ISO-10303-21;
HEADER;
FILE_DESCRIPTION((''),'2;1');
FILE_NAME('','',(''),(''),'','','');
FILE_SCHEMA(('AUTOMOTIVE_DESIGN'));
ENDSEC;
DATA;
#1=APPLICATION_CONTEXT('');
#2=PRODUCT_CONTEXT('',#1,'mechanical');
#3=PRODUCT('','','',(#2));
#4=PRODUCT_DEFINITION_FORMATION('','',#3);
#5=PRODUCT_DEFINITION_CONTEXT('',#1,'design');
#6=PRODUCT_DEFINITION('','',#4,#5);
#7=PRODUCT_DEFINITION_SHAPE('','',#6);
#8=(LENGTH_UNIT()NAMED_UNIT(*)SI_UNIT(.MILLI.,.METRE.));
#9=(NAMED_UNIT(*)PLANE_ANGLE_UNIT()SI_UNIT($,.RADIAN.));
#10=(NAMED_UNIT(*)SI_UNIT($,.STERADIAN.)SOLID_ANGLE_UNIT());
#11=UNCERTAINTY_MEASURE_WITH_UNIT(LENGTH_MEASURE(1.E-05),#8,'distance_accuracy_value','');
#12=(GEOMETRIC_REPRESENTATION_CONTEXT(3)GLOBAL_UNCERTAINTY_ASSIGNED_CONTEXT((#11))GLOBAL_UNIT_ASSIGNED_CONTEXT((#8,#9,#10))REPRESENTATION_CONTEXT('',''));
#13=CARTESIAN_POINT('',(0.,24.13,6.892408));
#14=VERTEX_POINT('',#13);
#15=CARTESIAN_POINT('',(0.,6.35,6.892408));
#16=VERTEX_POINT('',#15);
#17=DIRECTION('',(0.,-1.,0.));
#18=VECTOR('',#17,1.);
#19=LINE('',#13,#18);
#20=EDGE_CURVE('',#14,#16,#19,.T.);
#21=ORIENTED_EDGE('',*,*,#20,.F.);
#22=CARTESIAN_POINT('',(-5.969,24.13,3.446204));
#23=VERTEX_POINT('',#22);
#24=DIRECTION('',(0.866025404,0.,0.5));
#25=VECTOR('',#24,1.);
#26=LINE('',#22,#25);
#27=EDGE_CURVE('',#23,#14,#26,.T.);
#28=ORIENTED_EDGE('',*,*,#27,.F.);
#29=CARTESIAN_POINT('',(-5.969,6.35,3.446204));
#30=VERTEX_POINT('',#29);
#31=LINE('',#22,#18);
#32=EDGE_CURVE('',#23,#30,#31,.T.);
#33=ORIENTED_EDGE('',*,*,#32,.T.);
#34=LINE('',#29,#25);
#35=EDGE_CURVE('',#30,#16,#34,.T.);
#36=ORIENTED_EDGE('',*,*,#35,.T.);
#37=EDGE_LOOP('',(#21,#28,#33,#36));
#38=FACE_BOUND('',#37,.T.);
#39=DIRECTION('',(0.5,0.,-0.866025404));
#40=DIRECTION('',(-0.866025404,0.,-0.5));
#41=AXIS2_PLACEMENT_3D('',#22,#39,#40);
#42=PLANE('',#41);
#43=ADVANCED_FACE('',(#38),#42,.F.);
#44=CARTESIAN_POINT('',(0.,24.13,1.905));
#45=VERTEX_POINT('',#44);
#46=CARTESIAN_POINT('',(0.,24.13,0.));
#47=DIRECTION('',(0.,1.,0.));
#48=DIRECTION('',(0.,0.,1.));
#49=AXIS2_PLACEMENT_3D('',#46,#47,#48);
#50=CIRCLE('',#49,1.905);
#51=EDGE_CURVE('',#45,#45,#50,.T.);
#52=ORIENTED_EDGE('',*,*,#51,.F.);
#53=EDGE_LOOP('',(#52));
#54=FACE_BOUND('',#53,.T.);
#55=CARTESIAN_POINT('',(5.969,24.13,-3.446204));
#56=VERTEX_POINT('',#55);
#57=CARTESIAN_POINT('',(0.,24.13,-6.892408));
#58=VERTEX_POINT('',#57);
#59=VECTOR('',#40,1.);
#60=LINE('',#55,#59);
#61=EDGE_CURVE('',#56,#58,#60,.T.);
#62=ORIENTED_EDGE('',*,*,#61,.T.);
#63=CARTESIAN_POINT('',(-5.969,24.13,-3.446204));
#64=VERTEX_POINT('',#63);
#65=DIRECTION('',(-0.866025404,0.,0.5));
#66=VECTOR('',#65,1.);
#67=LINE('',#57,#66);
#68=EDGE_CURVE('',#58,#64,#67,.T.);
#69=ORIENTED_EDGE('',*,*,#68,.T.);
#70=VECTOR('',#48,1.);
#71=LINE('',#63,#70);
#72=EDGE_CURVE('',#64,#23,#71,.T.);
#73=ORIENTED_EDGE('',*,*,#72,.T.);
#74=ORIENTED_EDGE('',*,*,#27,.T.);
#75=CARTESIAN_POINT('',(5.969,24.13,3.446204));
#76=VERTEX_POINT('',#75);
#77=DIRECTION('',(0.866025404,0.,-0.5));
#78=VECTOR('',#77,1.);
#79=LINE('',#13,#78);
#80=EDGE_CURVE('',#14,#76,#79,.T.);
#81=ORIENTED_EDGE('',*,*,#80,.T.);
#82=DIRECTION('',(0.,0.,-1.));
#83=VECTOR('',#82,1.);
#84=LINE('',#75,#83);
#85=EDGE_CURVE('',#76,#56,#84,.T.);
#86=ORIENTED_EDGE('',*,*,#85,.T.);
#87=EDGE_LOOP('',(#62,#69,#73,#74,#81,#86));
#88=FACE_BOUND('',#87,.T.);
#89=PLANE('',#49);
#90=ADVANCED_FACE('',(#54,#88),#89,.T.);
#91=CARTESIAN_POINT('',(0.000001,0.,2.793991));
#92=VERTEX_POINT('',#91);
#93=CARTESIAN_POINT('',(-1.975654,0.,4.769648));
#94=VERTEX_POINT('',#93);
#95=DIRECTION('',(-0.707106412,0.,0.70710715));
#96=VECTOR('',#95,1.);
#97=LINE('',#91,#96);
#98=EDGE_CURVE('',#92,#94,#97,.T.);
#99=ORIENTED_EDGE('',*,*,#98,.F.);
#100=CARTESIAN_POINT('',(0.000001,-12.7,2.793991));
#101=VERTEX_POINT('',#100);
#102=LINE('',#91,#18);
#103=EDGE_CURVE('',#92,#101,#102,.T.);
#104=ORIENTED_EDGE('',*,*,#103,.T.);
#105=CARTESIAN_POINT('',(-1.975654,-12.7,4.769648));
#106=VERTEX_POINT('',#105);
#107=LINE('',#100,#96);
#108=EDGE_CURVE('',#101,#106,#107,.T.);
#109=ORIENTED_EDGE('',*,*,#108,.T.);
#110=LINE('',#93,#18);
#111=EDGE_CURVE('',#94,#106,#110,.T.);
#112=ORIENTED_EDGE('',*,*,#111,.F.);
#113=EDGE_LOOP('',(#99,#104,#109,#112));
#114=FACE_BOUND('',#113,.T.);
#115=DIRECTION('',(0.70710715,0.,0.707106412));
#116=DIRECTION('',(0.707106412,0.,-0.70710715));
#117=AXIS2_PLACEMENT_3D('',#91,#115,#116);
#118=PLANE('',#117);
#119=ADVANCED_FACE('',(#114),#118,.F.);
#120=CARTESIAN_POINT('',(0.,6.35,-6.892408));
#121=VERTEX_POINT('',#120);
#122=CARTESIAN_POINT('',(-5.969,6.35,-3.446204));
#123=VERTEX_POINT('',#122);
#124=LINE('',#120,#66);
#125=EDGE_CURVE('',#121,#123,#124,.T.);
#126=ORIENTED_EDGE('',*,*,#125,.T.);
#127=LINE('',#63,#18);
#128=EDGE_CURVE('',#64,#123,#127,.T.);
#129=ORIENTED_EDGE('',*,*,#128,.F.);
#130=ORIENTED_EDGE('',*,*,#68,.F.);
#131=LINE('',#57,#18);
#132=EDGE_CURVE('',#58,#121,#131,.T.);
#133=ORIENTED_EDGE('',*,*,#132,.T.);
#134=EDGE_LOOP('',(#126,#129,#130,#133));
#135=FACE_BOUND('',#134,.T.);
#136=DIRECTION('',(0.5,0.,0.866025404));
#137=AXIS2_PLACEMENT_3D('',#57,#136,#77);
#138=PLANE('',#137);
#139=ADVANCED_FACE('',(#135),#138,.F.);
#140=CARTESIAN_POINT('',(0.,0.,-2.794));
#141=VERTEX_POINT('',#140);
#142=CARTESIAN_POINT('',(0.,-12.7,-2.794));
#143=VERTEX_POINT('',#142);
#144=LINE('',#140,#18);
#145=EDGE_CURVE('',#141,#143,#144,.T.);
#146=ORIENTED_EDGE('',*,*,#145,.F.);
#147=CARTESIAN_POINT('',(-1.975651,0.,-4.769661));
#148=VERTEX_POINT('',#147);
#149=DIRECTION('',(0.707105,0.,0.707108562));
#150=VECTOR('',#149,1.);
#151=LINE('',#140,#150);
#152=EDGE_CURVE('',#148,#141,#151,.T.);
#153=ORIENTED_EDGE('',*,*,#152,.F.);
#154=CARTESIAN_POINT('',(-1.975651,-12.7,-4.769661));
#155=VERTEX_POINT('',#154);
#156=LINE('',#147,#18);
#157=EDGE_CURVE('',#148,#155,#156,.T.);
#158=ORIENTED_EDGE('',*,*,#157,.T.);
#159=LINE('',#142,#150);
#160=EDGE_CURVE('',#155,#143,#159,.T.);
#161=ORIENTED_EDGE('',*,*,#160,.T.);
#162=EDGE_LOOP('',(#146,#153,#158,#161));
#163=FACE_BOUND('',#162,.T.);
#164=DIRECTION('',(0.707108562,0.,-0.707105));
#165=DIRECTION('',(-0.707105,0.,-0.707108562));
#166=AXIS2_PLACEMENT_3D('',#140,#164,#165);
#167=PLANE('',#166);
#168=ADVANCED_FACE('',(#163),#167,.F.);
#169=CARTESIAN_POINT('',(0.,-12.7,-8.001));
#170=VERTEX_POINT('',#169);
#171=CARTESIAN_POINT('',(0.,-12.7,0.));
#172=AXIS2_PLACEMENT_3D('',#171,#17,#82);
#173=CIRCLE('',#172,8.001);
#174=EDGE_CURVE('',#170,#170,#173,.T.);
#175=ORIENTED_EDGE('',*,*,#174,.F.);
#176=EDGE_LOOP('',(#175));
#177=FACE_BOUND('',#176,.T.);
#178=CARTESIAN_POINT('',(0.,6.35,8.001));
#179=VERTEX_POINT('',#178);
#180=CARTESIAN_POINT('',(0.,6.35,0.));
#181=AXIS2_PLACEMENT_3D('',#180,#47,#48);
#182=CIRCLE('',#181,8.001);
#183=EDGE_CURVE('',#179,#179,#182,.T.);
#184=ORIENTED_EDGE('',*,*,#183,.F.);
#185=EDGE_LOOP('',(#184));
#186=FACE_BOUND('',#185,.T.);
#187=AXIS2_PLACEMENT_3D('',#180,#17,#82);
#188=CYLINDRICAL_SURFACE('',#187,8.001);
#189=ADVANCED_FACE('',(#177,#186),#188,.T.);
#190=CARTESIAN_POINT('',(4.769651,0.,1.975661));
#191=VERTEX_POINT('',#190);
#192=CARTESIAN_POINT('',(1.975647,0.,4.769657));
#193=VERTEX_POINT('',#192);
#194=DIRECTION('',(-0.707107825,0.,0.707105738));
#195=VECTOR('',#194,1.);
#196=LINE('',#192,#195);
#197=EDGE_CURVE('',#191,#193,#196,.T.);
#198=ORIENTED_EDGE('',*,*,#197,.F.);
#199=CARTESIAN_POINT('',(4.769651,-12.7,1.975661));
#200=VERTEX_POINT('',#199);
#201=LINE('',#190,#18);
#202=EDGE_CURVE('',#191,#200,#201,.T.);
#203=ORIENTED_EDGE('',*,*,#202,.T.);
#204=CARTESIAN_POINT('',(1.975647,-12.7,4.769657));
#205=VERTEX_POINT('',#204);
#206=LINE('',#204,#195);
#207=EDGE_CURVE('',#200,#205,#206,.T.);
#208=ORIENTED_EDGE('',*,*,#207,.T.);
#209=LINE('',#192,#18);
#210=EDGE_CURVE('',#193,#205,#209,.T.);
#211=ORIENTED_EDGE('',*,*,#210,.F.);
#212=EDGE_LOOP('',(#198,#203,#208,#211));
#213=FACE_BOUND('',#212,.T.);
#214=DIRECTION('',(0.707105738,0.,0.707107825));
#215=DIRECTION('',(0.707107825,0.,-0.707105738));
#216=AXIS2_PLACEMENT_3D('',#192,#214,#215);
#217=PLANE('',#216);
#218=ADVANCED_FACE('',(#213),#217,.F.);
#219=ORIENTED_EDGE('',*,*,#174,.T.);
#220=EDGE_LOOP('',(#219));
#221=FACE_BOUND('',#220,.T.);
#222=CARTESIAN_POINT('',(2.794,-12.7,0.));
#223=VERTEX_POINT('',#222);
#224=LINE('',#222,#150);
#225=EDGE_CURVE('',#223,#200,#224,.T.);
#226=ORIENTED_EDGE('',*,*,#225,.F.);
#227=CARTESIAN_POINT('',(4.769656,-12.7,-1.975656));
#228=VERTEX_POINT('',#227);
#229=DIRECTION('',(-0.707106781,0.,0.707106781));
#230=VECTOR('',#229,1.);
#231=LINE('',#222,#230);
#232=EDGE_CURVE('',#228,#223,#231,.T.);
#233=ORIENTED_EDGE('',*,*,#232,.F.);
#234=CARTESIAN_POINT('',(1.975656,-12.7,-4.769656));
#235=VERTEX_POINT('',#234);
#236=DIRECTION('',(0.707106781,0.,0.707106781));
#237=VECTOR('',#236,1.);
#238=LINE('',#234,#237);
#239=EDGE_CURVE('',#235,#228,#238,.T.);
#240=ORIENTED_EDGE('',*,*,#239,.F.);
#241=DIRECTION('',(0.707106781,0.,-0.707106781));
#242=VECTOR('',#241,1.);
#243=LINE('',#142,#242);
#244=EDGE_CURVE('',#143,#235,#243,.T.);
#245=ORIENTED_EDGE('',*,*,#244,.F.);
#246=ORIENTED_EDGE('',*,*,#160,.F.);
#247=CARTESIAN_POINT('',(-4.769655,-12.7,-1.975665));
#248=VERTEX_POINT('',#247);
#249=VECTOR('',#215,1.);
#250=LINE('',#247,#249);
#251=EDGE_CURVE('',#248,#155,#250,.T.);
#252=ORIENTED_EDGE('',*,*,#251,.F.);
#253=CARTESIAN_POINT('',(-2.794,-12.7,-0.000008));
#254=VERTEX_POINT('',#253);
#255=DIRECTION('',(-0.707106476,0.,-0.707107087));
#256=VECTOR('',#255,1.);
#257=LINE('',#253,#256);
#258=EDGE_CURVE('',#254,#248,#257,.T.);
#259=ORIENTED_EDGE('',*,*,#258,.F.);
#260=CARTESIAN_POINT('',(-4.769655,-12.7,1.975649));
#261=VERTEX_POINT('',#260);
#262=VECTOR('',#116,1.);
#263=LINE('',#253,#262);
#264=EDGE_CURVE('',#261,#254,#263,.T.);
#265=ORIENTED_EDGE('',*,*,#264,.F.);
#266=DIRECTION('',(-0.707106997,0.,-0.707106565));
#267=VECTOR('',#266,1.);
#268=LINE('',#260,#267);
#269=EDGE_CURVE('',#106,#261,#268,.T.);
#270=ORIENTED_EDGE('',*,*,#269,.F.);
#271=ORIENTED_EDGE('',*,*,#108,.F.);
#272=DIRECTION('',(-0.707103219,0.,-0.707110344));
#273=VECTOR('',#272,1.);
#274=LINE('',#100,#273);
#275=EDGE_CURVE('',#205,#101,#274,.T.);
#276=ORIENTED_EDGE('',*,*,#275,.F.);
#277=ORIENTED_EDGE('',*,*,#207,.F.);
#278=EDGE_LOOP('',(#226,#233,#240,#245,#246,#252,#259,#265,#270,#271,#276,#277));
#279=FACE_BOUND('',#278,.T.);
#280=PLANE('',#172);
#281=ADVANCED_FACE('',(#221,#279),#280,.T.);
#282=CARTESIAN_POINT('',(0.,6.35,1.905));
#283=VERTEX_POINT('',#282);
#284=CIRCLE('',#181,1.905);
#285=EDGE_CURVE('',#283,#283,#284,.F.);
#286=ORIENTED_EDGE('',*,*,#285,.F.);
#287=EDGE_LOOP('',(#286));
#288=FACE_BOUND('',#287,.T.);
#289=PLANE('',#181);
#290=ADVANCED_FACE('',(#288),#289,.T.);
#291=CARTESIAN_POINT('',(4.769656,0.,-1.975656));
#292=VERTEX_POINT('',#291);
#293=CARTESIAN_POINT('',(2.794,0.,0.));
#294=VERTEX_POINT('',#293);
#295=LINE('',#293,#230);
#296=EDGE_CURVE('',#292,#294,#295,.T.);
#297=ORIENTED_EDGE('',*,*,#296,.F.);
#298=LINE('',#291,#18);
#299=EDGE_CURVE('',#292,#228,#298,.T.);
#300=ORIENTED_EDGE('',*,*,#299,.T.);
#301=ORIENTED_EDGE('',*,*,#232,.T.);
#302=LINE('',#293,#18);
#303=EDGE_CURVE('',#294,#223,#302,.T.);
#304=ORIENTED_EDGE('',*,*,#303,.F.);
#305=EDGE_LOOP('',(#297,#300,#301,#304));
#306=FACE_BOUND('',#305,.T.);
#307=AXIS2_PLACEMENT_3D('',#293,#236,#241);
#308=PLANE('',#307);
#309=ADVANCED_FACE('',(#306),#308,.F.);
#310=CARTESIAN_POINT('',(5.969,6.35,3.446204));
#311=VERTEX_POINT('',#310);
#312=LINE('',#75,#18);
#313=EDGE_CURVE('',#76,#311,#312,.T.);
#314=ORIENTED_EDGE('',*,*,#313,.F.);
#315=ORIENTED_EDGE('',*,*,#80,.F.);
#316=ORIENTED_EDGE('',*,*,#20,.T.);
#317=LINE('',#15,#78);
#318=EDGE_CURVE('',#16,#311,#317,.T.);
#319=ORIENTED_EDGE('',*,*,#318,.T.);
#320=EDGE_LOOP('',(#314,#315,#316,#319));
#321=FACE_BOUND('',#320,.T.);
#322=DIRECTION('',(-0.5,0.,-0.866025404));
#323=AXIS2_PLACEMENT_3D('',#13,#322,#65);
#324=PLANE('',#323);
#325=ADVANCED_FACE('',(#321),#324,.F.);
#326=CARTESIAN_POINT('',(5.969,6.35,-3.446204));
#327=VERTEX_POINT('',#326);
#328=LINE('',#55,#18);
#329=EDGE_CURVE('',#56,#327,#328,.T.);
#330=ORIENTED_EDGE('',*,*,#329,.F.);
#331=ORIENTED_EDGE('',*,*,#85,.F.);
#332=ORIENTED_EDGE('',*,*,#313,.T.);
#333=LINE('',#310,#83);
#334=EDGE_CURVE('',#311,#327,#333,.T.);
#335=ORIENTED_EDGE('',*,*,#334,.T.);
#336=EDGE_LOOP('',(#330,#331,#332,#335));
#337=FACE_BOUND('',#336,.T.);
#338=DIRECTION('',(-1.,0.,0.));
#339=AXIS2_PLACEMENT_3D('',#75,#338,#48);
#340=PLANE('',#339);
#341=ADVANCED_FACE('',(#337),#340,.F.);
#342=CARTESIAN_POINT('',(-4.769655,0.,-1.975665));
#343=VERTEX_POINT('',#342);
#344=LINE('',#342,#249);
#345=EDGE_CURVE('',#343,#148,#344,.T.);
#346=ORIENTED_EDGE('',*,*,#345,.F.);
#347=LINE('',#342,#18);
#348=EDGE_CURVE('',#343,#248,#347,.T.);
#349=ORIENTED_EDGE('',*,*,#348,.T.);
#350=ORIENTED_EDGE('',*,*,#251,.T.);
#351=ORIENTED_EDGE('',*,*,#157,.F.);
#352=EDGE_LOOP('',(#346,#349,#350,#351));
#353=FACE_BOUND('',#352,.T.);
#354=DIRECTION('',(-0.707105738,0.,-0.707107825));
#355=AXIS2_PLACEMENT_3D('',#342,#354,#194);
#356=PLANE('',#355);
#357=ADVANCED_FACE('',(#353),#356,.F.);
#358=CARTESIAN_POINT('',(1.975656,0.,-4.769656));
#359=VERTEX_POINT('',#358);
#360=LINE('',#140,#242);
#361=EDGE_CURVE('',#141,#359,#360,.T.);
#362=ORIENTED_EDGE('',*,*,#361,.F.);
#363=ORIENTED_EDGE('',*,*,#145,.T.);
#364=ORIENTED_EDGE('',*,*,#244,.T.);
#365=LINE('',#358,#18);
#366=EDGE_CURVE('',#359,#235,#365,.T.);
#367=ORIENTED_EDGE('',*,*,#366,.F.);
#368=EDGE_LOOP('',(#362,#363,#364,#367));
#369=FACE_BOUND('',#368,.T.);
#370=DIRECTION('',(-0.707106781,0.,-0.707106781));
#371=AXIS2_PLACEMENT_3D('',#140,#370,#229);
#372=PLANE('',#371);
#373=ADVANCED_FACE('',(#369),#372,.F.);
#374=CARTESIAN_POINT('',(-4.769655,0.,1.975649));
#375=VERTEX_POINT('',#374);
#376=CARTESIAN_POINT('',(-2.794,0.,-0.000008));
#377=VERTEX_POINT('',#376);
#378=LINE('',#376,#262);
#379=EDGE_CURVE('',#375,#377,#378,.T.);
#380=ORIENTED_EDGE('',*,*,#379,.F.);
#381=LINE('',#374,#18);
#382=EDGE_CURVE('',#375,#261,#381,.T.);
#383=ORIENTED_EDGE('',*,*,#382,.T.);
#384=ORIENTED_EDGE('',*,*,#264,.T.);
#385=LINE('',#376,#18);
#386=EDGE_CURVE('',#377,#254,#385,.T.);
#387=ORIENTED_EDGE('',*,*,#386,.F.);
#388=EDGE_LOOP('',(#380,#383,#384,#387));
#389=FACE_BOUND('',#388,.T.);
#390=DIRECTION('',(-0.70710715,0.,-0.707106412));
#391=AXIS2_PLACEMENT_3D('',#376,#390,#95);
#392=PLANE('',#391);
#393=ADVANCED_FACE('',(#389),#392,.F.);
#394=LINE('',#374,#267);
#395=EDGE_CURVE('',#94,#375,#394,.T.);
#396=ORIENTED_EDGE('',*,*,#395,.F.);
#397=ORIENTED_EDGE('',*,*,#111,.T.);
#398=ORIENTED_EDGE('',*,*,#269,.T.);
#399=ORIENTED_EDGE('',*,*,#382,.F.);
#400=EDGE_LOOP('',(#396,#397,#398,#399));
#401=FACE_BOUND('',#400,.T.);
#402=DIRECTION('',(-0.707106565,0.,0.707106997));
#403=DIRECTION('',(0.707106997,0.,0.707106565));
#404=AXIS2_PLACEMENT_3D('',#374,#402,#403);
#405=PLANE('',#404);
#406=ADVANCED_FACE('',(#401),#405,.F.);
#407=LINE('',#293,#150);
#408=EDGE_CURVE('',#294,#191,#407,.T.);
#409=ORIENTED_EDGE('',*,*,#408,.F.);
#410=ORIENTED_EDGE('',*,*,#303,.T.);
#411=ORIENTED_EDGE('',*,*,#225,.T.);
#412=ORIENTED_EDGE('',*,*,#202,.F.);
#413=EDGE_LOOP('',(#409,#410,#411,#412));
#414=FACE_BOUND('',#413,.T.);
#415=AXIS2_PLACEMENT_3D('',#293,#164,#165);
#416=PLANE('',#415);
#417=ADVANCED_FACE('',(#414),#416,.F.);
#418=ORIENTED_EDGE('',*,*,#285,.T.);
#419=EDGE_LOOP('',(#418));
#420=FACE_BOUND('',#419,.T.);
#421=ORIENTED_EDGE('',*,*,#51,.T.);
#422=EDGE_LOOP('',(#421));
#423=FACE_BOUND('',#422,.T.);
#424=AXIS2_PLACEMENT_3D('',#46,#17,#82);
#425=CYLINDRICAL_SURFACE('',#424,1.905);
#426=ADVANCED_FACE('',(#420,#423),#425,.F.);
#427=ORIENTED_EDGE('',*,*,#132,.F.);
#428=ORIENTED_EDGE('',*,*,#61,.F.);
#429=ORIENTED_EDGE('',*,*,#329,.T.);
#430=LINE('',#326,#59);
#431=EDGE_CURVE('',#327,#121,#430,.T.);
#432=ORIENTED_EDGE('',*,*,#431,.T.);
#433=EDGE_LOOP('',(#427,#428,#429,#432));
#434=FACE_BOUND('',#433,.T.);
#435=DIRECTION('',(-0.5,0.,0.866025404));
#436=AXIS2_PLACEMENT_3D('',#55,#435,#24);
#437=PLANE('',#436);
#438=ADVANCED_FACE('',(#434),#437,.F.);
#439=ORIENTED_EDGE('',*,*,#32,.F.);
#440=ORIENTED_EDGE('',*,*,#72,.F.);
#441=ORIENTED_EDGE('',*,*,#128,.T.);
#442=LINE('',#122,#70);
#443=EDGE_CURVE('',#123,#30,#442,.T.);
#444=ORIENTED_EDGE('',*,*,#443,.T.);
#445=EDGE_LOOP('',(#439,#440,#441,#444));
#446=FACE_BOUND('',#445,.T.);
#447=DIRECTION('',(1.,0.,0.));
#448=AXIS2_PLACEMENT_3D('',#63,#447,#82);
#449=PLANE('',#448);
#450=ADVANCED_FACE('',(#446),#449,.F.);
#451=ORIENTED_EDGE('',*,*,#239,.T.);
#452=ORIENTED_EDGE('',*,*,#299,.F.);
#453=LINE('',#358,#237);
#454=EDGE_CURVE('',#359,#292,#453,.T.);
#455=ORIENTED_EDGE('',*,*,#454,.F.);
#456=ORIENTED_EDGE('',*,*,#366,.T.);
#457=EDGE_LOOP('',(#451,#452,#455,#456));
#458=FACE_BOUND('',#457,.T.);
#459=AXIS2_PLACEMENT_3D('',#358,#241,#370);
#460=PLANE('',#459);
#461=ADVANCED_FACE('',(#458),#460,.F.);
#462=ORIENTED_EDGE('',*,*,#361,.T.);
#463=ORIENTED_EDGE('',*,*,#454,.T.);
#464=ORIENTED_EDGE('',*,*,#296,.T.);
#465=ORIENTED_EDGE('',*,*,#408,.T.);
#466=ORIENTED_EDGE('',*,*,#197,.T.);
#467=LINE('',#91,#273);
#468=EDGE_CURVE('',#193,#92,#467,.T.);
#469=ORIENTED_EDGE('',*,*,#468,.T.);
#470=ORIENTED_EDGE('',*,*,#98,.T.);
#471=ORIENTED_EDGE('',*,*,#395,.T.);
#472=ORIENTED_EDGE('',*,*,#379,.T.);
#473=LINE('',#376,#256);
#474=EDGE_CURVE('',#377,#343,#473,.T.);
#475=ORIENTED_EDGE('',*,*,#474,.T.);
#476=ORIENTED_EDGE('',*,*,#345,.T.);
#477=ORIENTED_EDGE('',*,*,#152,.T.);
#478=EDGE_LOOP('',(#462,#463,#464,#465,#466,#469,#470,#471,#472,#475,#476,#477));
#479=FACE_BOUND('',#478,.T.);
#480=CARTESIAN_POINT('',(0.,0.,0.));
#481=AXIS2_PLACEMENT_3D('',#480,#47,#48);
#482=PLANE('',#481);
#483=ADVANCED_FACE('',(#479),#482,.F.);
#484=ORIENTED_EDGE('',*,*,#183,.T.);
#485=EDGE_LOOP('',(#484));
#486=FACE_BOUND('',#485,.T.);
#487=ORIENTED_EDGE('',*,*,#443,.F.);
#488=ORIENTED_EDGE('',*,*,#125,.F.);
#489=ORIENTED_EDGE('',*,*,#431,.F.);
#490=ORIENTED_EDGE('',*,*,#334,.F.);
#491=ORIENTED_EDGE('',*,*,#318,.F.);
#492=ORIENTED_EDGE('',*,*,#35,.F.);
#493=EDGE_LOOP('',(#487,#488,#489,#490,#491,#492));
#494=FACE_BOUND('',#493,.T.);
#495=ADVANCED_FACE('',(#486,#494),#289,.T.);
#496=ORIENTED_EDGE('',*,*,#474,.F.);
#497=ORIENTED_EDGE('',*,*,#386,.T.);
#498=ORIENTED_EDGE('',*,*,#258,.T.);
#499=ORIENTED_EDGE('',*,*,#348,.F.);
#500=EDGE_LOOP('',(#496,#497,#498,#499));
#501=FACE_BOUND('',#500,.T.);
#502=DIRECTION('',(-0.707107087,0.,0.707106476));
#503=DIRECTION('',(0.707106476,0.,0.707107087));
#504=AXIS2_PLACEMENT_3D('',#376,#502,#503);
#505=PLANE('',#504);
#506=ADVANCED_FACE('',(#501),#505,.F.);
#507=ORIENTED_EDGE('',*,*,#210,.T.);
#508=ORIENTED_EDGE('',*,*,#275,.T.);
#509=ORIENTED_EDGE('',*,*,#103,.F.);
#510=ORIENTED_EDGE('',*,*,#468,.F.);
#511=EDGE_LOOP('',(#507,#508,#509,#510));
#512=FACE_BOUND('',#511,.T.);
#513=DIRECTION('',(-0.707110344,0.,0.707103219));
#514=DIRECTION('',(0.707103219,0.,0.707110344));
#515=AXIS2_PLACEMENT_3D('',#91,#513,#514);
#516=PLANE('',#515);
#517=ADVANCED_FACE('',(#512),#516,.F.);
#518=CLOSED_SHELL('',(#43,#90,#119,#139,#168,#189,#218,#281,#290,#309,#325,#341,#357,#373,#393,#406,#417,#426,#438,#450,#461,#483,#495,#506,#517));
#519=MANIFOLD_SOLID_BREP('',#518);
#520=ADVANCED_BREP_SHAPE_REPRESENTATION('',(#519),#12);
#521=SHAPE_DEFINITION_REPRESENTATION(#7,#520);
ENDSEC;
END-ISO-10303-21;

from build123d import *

# Parameters (mm, degrees)
SKETCH1_R           = 8.001
BOSS_EXTRUDE1_DEPTH = 6.35
SKETCH3_R           = 8.001
BOSS_EXTRUDE2_DEPTH = 12.7
CUT_EXTRUDE1_DEPTH  = 12.7
SKETCH11_R          = 1.905
BOSS_EXTRUDE5_DEPTH = 17.78


with BuildPart() as part:
    # Sketch1 → Boss-Extrude1 (new body)
    with BuildSketch(Plane(origin=(0, 0, 0), x_dir=(1, 0, 0), z_dir=(0, 1, 0))):
        Circle(SKETCH1_R)
    extrude(amount=BOSS_EXTRUDE1_DEPTH)

    # Sketch3 → Boss-Extrude2 (add)
    with BuildSketch(Plane(origin=(0, 0, 0), x_dir=(-1, 0, 0), z_dir=(0, -1, 0))):
        Circle(SKETCH3_R)
    extrude(amount=BOSS_EXTRUDE2_DEPTH)

    # Sketch4 → Cut-Extrude1 (cut)
    with BuildSketch(Plane.XZ.offset(12.7)):
        Polygon((8.54e-07, 2.793990901), (-1.975654462, 4.769648278), (-4.769655316, 1.975649132), (-2.794, -8.246e-06), (-4.769655493, -1.975665446), (-1.97565137, -4.769661323), (0, -2.794), (1.975656347, -4.769656347), (4.769656347, -1.975656347), (2.794, 0), (4.76965137, 1.975661323), (1.975647247, 4.7696572), align=None)
    extrude(amount=-CUT_EXTRUDE1_DEPTH, mode=Mode.SUBTRACT)

    # Sketch11 → Boss-Extrude5 (add)
    with BuildSketch(Plane(origin=(0, 6.35, 0), x_dir=(1, 0, 0), z_dir=(0, 1, 0))):
        Polygon((0, 6.892407514), (-5.969, 3.446203757), (-5.969, -3.446203757), (0, -6.892407514), (5.969, -3.446203757), (5.969, 3.446203757), align=None)
        Circle(SKETCH11_R, mode=Mode.SUBTRACT)
    extrude(amount=BOSS_EXTRUDE5_DEPTH)


solid = part.part
